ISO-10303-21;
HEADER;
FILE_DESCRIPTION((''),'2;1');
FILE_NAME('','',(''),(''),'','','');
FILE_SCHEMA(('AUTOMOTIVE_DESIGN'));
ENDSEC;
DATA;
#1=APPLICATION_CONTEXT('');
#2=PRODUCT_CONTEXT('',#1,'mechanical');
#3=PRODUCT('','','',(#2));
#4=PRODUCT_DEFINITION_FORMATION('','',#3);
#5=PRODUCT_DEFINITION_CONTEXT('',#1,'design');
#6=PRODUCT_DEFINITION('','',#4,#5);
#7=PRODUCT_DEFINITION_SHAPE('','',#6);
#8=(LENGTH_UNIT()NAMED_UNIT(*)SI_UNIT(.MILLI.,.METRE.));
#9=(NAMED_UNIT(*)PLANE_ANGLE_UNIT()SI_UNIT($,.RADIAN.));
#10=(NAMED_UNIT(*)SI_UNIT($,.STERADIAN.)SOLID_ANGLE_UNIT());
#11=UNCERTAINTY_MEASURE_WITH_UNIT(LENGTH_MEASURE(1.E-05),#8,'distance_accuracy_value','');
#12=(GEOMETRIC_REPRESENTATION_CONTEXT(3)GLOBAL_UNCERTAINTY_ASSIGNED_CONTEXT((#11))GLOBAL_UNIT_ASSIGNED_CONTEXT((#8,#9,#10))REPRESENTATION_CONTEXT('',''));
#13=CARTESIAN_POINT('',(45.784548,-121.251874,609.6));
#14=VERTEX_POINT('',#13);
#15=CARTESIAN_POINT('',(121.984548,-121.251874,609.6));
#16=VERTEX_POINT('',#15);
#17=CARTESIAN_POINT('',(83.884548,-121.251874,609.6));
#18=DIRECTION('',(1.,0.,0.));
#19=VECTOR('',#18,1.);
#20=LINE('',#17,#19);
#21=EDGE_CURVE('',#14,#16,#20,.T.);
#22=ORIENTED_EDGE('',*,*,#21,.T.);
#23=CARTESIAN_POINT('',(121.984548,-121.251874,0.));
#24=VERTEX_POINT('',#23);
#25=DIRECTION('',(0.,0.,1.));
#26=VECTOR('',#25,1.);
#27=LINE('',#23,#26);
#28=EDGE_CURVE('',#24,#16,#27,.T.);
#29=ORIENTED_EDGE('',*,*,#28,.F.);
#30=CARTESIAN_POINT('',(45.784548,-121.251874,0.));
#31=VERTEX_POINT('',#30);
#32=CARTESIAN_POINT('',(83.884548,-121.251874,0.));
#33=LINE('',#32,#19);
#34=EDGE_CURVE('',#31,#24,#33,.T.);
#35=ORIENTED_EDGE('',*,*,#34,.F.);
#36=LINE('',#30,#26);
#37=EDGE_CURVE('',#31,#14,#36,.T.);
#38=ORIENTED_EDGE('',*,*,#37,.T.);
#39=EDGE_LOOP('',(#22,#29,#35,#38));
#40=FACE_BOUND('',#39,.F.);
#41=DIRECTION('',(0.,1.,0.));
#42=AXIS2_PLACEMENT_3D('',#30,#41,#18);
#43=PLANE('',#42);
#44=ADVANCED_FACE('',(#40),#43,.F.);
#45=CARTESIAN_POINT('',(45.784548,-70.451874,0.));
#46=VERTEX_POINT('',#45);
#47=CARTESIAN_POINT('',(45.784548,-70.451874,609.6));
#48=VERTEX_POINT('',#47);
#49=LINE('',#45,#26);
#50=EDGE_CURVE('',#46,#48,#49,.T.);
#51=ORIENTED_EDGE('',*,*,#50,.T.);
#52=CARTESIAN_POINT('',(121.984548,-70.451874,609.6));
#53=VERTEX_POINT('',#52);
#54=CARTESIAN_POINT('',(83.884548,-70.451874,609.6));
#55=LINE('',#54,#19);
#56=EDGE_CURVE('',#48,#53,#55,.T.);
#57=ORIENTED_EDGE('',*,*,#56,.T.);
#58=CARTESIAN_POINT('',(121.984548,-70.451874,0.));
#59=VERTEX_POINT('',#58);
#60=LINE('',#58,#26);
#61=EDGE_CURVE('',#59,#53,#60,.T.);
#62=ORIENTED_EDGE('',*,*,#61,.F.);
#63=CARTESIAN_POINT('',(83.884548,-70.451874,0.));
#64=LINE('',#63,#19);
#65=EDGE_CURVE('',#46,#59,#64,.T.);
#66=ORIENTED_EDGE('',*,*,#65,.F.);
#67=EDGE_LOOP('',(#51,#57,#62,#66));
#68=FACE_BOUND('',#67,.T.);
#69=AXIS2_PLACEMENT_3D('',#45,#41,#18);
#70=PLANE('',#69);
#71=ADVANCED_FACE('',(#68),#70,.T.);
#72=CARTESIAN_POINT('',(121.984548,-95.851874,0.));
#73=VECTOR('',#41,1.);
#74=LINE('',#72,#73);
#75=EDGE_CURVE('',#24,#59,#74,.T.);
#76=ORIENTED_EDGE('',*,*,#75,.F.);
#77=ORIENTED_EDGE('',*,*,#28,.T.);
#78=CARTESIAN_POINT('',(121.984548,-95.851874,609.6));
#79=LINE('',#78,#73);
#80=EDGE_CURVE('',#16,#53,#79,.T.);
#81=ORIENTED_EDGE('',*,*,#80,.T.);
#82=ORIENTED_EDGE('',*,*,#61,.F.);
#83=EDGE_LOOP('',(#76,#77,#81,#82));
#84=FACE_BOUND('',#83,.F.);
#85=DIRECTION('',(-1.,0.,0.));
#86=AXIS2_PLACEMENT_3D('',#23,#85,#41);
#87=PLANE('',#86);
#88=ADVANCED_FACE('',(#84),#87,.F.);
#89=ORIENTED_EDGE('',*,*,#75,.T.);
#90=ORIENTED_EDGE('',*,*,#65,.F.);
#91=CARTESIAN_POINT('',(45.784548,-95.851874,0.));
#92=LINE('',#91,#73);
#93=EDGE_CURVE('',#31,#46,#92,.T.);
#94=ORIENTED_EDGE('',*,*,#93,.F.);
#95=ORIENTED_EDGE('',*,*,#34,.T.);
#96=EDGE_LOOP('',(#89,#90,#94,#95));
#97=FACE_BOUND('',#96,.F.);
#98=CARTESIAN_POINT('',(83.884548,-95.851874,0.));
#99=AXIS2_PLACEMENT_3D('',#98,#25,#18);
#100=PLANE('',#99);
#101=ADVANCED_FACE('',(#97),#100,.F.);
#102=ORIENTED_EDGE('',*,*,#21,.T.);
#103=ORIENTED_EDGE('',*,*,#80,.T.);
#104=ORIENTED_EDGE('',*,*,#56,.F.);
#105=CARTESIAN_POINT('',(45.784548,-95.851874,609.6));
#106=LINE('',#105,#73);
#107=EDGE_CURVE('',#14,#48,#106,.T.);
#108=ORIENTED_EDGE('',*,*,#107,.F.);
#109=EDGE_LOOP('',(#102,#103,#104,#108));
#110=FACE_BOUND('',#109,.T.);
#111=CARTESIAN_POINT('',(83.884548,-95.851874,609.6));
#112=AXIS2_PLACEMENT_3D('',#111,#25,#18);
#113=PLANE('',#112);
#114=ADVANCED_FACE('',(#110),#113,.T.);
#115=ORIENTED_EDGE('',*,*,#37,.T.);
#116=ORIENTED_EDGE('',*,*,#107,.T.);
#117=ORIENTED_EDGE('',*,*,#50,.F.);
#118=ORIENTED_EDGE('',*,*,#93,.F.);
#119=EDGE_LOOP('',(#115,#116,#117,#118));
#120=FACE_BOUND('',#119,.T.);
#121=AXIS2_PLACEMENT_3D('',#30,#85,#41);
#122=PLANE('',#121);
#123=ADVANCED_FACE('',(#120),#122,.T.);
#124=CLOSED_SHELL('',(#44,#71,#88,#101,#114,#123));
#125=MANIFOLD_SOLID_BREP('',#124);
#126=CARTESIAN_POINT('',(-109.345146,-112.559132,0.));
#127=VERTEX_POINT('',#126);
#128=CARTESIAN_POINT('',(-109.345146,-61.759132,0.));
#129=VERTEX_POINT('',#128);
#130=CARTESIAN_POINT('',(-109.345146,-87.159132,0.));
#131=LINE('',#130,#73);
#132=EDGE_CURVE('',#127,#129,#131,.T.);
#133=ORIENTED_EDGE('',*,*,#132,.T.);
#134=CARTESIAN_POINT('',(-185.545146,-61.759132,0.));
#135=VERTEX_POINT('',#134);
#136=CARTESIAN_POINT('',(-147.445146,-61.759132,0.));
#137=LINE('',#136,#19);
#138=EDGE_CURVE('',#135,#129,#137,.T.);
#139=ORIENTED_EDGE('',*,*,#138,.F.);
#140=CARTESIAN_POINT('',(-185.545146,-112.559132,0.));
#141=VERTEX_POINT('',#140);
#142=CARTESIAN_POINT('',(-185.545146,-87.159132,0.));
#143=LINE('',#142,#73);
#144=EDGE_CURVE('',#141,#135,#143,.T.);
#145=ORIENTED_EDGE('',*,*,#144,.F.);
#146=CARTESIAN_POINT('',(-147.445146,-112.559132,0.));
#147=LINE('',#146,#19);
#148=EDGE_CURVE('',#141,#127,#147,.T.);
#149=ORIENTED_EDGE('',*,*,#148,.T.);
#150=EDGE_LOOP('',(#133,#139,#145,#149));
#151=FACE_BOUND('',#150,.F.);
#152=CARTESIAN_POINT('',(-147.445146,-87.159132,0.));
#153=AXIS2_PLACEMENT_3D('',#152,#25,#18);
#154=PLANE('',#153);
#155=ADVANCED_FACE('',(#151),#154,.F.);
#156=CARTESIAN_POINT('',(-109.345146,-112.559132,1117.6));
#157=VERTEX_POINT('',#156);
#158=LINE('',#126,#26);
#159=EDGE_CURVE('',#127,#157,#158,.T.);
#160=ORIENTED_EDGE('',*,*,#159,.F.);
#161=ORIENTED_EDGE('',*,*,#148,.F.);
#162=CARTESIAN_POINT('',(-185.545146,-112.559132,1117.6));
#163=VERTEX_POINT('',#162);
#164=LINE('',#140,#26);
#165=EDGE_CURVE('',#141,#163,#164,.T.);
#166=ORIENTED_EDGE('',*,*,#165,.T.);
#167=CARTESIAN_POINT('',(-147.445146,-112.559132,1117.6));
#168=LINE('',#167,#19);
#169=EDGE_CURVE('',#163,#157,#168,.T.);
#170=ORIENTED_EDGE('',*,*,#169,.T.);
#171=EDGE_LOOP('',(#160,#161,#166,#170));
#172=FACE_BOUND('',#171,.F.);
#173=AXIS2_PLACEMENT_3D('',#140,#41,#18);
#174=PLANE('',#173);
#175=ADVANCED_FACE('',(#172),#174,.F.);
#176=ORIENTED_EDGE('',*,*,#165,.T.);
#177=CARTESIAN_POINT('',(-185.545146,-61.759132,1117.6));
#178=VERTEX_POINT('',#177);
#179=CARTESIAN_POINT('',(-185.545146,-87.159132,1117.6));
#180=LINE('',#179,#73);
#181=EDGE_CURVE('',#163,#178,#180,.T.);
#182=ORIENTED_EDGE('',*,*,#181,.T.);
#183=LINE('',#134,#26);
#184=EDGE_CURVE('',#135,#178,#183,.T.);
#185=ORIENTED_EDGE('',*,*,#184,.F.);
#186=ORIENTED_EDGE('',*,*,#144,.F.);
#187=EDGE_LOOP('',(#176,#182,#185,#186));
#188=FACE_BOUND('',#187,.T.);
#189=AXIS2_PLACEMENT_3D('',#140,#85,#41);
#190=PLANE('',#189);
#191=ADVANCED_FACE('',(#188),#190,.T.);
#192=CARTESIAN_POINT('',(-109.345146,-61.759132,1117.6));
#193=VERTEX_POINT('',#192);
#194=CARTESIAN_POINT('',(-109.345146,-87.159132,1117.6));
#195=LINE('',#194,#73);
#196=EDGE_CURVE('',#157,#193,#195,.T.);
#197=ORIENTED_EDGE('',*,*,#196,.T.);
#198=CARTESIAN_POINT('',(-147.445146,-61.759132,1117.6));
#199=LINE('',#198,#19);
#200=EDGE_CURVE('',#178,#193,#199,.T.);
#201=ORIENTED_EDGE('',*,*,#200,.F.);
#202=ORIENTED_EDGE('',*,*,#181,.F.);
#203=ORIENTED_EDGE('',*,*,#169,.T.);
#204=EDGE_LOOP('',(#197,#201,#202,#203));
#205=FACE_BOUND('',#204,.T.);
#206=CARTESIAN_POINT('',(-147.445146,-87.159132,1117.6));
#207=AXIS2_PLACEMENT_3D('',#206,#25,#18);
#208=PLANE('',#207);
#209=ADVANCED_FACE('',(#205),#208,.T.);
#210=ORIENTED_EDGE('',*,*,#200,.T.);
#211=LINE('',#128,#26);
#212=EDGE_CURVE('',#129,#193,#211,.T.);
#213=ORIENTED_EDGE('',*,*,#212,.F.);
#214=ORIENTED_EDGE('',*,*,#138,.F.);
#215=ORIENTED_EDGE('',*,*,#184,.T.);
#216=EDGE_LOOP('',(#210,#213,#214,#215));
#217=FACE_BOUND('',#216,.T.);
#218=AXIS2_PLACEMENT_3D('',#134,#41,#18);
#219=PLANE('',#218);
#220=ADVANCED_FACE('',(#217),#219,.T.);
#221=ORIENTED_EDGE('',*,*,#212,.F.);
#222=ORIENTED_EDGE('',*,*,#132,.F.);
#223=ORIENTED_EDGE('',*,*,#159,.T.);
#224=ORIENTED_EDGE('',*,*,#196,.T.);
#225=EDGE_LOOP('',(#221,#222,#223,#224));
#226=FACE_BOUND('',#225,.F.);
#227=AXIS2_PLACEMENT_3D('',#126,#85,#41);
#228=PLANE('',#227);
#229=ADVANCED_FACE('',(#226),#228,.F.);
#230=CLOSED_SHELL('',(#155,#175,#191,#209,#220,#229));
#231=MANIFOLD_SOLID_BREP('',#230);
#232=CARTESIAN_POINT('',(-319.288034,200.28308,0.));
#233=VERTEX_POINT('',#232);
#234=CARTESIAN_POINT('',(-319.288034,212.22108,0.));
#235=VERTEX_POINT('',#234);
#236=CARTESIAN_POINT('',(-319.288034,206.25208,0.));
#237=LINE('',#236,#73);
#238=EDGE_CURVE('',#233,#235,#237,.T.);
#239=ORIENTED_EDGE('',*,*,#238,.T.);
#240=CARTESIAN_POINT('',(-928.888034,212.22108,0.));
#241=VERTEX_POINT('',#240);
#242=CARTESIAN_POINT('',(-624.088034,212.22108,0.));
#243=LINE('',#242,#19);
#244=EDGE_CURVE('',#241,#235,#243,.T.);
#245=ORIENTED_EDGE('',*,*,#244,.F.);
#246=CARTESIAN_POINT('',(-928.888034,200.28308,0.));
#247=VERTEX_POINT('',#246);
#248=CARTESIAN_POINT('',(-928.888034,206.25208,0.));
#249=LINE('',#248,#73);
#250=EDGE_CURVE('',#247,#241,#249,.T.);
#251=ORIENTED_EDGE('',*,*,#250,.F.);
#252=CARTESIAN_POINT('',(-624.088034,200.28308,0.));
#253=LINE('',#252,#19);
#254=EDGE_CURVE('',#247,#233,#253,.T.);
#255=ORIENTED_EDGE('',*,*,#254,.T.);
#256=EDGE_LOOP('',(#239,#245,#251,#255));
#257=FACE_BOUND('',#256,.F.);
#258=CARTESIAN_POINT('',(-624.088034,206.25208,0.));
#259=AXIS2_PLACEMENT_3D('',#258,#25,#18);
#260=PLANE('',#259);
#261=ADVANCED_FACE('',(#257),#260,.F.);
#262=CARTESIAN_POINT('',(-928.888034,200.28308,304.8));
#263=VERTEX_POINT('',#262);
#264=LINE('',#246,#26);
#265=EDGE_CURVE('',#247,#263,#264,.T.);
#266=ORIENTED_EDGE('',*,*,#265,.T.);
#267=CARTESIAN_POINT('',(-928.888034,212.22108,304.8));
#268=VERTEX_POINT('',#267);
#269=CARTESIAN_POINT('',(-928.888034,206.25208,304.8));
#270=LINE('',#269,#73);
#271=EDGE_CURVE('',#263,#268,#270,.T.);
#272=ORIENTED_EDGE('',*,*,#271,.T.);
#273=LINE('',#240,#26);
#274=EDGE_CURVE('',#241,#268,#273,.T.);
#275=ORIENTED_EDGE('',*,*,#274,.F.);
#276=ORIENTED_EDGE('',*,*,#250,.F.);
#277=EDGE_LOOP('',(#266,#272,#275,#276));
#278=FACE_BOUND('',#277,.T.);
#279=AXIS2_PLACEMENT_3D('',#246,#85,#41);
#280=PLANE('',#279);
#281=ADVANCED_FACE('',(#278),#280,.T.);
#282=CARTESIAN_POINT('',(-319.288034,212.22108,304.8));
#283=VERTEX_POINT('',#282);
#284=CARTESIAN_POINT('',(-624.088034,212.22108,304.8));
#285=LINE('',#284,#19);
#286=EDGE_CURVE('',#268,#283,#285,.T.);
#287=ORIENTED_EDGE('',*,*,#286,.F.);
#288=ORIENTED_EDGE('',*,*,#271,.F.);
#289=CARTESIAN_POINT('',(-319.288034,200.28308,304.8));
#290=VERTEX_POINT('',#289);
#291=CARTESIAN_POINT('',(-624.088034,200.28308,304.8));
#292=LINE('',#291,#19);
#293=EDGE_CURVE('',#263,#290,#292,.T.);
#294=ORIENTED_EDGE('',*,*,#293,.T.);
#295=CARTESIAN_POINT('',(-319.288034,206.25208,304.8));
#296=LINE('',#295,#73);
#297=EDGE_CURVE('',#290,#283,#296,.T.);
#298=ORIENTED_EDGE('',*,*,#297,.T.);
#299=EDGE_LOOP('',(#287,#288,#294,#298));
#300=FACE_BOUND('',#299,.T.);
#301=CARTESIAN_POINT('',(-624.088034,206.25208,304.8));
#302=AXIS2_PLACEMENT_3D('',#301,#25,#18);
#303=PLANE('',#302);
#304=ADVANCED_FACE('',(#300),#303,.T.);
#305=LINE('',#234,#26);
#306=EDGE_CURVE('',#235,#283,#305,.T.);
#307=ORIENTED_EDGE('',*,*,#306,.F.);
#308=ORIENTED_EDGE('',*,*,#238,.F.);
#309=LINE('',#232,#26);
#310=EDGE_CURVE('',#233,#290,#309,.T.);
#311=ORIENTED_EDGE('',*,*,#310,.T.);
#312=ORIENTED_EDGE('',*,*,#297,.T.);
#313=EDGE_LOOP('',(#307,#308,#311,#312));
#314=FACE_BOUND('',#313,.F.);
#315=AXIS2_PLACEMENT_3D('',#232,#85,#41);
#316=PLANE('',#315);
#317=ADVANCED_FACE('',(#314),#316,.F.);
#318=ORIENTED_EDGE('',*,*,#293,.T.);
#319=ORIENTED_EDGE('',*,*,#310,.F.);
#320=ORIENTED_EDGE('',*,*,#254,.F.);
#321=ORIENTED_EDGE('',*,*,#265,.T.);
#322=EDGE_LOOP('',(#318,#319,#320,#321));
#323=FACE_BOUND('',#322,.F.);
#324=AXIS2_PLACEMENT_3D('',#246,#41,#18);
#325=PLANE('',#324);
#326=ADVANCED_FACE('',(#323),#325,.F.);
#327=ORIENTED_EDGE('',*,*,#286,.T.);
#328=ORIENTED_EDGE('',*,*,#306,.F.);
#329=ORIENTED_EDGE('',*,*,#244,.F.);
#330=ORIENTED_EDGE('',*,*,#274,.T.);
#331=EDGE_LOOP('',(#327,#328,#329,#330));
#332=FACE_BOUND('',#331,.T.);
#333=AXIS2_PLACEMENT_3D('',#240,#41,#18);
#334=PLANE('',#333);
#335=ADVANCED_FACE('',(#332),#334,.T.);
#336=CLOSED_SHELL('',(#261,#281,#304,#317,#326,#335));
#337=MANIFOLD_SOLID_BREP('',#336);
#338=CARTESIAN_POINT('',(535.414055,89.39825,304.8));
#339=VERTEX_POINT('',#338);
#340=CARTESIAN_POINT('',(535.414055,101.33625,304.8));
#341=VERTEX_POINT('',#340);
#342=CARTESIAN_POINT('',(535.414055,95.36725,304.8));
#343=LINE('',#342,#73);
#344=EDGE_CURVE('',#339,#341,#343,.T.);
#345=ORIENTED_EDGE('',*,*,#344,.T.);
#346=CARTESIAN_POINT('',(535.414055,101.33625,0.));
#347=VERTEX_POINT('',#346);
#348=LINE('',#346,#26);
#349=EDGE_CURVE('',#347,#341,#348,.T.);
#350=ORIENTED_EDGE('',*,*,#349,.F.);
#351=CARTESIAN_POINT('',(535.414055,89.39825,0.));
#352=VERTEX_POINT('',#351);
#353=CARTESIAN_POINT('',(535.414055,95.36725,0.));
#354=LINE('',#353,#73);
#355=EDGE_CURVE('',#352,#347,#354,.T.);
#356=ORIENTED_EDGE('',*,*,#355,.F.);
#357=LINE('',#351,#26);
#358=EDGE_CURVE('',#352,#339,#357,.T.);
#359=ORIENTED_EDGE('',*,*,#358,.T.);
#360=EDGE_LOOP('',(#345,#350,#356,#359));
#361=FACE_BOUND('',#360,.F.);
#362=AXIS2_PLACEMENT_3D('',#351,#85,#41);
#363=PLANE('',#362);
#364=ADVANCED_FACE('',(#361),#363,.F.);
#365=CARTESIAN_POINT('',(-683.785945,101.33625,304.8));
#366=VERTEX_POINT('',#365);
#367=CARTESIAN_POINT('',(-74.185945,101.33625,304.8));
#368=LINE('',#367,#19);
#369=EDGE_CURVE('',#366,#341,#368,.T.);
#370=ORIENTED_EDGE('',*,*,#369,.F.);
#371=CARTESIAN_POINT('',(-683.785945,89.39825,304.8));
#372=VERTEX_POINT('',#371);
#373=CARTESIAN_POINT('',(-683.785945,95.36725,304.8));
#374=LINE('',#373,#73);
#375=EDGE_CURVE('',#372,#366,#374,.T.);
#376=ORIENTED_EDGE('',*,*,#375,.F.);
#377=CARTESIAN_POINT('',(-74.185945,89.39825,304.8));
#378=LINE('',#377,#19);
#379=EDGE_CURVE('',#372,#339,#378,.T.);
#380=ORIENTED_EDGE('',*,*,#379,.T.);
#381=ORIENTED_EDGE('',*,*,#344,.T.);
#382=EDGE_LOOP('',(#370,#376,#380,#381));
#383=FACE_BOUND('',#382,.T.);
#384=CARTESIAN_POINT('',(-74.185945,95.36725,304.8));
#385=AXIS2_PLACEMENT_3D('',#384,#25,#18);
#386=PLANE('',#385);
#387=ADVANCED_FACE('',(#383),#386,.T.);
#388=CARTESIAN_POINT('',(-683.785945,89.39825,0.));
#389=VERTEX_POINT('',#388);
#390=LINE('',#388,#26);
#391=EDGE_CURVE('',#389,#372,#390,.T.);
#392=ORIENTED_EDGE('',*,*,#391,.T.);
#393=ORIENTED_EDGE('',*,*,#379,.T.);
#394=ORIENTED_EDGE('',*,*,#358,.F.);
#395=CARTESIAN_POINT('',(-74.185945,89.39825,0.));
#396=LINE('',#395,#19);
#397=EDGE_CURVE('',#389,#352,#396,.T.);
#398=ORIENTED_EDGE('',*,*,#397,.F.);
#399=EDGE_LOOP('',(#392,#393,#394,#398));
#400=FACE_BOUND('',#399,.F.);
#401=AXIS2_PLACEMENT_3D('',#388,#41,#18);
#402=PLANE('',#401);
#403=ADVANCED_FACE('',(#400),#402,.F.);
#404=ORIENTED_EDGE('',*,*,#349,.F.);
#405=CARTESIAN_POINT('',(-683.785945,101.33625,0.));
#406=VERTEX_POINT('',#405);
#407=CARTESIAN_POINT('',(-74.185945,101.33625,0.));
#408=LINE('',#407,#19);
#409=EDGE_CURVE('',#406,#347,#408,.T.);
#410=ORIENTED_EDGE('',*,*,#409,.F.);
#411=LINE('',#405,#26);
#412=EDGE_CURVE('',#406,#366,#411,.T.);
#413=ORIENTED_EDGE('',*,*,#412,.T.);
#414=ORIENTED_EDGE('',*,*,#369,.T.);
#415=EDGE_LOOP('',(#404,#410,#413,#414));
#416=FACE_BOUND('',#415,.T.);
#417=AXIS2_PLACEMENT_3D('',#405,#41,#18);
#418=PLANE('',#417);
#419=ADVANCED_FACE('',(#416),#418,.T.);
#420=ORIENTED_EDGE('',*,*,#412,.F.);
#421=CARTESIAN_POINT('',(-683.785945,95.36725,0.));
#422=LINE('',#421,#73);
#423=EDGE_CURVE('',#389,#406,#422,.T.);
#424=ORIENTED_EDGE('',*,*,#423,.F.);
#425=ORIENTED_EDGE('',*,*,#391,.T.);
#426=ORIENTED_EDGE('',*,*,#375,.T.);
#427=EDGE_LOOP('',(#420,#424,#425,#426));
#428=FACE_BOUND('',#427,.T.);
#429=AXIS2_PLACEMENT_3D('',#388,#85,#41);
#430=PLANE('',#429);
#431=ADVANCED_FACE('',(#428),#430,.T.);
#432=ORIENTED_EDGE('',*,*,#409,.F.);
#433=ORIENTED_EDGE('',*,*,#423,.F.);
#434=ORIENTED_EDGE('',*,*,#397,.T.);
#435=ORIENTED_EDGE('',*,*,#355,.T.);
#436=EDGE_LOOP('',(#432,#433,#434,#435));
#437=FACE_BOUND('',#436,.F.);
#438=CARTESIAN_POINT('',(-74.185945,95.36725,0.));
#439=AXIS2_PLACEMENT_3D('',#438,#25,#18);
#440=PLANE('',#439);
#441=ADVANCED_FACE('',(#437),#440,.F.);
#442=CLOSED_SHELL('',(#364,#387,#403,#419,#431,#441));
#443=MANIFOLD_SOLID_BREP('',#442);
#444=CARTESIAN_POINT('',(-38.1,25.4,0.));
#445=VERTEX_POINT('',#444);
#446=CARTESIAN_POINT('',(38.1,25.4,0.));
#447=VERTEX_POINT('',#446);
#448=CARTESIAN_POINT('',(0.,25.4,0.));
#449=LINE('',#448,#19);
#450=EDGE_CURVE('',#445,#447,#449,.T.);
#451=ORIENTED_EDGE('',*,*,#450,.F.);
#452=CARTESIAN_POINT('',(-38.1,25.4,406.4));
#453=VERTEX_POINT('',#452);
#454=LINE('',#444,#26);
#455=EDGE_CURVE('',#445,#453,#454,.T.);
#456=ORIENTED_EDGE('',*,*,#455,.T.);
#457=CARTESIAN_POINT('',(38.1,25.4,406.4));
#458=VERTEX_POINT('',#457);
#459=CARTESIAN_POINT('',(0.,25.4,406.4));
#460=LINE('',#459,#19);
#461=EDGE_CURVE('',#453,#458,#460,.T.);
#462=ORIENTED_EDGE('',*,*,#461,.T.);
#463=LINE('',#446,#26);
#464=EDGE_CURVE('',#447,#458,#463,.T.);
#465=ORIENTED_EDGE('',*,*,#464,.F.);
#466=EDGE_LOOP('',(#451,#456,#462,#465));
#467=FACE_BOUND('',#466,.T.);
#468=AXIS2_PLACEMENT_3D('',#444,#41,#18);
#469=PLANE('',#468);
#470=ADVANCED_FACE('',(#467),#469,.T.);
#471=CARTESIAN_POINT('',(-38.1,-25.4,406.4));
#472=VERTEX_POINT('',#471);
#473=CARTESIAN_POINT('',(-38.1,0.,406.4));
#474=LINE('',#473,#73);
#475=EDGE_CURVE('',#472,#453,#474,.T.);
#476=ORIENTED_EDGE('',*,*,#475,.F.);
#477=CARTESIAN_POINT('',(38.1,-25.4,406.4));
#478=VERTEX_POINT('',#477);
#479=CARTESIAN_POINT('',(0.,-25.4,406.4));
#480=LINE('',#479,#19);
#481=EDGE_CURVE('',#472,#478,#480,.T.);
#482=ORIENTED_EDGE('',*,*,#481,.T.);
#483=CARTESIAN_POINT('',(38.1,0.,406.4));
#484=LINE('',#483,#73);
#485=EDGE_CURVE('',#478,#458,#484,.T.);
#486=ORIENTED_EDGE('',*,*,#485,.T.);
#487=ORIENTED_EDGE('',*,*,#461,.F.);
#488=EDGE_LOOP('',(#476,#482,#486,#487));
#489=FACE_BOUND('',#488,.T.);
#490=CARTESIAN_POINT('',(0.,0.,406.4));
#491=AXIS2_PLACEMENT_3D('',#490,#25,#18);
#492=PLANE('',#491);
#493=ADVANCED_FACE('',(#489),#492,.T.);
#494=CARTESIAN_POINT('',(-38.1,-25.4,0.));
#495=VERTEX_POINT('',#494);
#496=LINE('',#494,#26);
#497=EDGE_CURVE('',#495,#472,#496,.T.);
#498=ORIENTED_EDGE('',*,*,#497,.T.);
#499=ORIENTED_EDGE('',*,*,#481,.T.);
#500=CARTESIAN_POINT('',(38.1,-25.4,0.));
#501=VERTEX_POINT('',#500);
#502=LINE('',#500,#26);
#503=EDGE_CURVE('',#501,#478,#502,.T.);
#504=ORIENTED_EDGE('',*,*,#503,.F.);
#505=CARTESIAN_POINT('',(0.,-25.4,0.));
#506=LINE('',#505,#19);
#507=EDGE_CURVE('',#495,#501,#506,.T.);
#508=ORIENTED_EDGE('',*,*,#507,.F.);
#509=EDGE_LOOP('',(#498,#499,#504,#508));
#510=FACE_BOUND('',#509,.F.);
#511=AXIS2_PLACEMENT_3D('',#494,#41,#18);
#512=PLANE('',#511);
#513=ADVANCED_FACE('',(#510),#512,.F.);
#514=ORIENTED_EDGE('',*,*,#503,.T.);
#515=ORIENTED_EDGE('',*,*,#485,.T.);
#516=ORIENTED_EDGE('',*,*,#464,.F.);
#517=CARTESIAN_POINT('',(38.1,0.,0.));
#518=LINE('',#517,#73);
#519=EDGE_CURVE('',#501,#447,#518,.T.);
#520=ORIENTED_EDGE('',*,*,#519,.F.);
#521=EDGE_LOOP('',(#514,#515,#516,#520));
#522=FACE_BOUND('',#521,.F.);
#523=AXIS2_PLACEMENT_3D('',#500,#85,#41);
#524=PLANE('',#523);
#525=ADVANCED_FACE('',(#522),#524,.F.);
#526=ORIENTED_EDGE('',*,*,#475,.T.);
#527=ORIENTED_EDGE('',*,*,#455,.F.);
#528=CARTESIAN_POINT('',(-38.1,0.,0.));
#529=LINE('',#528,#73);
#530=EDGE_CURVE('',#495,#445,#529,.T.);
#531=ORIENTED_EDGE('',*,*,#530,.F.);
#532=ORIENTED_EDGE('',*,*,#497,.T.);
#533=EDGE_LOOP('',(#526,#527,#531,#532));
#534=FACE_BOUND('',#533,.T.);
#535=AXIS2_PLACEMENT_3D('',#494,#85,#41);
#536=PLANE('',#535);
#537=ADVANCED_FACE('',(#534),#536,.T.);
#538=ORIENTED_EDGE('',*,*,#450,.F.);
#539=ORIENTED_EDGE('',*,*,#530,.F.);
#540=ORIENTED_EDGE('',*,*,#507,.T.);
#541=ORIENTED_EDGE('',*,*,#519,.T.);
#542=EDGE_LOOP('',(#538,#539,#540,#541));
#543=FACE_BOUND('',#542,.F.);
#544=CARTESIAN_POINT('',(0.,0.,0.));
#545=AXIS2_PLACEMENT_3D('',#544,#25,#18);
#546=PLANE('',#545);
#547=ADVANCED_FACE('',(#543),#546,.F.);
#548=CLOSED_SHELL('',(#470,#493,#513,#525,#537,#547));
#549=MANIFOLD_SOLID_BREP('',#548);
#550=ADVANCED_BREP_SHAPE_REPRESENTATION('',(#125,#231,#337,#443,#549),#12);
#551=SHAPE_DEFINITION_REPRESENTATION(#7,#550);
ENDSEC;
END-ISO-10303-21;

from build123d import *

# Parameters (mm, degrees)
F0_W     = 76.2
F0_H     = 50.8
F1_DEPTH = 406.4
F2_DEPTH = 609.6
F3_DEPTH = 1117.6
F0_W_2   = 1219.2
F0_H_2   = 11.938
F4_DEPTH = 304.8
F0_W_3   = 609.6
F5_DEPTH = 304.8


with BuildPart() as f1:
    # F0 (on Top) → F1 (new body)
    with BuildSketch(Plane.XY):
        Rectangle(F0_W, F0_H)
    extrude(amount=F1_DEPTH)


with BuildPart() as f2:
    # F0 (on Top) → F2 (new body)
    with BuildSketch(Plane.XY):
        with Locations((83.884548, -95.851874)):
            Rectangle(F0_W, F0_H)
    extrude(amount=F2_DEPTH)


with BuildPart() as f3:
    # F0 (on Top) → F3 (new body)
    with BuildSketch(Plane.XY):
        with Locations((-147.445146, -87.159132)):
            Rectangle(F0_W, F0_H)
    extrude(amount=F3_DEPTH)


with BuildPart() as f4:
    # F0 (on Top) → F4 (new body)
    with BuildSketch(Plane.XY):
        with Locations((-74.185945, 95.36725)):
            Rectangle(F0_W_2, F0_H_2)
    extrude(amount=F4_DEPTH)


with BuildPart() as f5:
    # F0 (on Top) → F5 (new body)
    with BuildSketch(Plane.XY):
        with Locations((-624.088034, 206.25208)):
            Rectangle(F0_W_3, F0_H_2)
    extrude(amount=F5_DEPTH)


solid = Compound([f1.part, f2.part, f3.part, f4.part, f5.part])
